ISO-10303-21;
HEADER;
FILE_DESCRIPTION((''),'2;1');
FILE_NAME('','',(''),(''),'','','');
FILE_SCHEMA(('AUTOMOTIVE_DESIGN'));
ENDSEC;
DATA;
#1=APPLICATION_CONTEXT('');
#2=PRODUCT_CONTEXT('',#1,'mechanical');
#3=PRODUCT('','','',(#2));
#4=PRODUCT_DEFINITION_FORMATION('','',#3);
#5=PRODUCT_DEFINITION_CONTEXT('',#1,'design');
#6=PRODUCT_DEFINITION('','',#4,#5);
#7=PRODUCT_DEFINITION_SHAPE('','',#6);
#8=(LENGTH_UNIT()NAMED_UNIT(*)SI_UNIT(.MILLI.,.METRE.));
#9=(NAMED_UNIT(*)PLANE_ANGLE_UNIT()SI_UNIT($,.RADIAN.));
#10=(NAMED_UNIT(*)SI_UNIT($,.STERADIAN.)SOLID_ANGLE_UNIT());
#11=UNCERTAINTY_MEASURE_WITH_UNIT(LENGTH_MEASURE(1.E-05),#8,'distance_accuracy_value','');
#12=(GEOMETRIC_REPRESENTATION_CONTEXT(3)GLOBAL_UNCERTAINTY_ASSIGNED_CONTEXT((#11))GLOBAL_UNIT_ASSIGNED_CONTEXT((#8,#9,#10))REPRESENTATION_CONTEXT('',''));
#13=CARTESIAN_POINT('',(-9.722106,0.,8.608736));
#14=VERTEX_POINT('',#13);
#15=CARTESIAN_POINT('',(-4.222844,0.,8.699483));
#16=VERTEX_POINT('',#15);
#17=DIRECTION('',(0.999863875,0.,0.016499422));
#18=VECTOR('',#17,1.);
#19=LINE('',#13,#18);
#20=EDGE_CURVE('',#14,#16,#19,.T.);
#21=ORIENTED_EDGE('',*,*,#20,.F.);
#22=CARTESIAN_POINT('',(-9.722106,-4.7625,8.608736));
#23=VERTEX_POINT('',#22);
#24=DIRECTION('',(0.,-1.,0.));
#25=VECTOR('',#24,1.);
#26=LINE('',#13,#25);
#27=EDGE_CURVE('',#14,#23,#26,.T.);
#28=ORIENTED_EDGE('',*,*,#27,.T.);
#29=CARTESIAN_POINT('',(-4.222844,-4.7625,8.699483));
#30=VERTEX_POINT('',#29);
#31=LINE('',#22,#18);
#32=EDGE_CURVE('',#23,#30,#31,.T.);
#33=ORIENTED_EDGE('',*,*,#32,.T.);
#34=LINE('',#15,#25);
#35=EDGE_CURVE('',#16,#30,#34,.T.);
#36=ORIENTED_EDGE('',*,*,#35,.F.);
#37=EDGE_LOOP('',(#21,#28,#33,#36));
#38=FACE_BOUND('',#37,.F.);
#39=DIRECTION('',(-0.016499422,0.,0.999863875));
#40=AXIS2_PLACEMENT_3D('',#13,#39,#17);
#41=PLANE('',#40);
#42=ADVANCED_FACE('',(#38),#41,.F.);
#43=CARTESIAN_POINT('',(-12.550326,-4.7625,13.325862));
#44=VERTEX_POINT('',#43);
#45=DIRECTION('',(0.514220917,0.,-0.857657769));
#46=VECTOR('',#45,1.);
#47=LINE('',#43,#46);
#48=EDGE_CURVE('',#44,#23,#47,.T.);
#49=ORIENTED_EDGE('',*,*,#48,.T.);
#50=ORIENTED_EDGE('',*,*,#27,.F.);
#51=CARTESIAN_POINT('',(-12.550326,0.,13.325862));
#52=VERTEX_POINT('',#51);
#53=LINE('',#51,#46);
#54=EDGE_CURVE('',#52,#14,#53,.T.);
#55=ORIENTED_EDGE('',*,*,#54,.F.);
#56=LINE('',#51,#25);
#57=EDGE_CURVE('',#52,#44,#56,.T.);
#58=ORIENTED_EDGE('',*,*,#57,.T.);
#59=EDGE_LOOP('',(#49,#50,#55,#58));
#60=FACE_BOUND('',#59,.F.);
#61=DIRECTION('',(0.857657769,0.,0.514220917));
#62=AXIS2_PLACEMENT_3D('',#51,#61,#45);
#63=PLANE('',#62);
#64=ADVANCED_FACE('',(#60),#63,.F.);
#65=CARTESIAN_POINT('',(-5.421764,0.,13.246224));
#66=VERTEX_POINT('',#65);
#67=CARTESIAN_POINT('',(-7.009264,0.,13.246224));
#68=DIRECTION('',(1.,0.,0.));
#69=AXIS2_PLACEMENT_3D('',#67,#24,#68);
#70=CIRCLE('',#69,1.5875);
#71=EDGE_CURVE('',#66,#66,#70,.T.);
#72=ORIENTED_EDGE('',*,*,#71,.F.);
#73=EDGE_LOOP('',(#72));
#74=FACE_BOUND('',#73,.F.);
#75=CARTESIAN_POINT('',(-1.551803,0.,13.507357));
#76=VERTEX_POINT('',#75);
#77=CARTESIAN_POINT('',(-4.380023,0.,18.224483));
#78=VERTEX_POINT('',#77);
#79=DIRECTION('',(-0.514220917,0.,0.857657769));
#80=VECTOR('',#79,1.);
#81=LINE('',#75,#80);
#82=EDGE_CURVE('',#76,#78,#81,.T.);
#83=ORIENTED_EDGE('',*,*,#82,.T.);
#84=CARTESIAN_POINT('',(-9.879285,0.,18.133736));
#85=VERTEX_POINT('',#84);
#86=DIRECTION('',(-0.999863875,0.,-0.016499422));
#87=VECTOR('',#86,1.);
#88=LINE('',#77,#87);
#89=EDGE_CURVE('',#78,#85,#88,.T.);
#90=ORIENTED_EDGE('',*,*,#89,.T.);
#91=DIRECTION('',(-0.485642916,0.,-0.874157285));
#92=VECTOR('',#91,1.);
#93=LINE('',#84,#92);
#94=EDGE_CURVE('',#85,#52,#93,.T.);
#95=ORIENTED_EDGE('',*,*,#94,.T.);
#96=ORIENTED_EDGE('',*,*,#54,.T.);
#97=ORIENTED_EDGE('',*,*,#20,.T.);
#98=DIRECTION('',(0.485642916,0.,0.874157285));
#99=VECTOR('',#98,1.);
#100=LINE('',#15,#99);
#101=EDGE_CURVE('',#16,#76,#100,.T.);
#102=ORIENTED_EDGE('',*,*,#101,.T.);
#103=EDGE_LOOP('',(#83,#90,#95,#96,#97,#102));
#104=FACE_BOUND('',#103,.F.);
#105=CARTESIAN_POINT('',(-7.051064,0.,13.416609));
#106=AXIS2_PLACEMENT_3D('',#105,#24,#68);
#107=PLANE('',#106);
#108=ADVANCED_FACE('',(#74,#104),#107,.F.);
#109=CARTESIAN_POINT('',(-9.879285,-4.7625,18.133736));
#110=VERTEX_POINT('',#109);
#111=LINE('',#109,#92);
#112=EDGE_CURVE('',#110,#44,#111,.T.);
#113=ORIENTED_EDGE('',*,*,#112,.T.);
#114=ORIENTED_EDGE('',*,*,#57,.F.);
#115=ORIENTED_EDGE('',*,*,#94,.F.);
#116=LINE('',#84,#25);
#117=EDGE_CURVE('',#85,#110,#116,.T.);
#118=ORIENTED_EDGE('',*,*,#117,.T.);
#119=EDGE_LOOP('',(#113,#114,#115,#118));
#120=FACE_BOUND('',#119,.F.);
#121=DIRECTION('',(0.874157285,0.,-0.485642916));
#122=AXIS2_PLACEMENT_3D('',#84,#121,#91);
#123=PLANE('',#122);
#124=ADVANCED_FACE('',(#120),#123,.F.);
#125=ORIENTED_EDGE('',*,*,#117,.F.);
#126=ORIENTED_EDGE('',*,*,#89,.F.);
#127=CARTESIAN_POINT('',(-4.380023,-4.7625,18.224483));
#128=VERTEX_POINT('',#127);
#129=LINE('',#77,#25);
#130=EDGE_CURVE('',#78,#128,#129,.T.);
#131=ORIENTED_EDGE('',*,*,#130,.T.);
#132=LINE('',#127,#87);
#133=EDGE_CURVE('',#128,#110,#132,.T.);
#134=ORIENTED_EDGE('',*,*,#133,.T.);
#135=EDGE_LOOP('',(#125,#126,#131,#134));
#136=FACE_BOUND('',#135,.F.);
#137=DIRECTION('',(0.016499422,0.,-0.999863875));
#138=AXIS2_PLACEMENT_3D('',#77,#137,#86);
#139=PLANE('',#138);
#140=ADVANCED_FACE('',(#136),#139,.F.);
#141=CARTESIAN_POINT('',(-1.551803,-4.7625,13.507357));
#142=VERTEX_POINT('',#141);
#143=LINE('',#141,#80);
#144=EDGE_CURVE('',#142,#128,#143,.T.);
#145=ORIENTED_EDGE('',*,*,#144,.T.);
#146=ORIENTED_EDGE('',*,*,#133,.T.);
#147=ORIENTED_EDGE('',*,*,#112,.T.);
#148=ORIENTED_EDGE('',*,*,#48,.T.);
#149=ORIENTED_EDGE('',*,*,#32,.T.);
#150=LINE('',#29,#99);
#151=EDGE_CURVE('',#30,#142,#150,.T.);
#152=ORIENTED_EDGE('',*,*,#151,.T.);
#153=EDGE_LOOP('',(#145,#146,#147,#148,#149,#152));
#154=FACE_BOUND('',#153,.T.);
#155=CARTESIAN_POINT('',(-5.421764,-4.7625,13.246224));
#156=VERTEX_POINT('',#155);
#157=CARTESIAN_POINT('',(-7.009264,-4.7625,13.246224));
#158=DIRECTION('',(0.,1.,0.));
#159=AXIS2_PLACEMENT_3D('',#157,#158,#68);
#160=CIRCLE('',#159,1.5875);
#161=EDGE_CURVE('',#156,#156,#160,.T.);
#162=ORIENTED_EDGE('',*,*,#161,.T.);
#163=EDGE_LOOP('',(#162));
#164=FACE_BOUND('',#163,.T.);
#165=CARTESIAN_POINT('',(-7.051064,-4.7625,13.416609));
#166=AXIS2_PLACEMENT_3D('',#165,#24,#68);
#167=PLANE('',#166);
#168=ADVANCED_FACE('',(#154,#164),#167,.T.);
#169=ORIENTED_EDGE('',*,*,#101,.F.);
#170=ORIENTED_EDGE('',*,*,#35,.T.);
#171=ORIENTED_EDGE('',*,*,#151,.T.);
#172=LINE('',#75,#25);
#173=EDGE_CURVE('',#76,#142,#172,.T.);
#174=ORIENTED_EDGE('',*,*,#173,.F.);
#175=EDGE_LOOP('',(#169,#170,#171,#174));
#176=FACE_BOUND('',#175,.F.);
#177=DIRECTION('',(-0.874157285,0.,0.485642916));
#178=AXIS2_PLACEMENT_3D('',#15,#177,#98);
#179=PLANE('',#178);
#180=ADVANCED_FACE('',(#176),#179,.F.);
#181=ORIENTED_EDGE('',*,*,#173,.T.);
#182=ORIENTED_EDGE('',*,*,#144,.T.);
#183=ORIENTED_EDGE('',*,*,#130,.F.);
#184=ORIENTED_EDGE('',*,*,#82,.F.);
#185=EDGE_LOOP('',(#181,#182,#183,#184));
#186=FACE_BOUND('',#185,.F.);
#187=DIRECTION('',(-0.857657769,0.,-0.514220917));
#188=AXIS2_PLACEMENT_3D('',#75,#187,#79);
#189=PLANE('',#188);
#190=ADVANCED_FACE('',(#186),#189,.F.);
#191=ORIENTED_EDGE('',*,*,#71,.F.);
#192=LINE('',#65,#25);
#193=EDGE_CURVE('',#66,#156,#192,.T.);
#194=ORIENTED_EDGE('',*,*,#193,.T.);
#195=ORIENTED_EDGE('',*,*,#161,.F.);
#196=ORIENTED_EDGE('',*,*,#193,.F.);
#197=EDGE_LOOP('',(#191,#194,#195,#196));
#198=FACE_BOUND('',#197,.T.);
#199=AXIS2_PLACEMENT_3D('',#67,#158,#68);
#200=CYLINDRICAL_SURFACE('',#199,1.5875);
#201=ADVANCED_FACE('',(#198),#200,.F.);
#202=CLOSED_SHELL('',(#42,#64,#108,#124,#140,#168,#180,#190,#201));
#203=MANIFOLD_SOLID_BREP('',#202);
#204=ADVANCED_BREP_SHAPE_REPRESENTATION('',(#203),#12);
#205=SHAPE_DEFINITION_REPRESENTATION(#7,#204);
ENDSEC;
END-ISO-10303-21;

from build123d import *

# Parameters (mm, degrees)
F2_DEPTH = 4.7625
F1_R     = 1.5875
F3_DEPTH = 4.7752


with BuildPart() as f2:
    # F0 (on Front) → F2 (new body)
    with BuildSketch(Plane.XZ):
        Polygon((-4.222844, 8.699483), (-1.551803, 13.507357), (-4.380023, 18.224483), (-9.879285, 18.133736), (-12.550326, 13.325862), (-9.722106, 8.608736), align=None)
    extrude(amount=F2_DEPTH)

    # F1 (on face) → F3 (cut)
    with BuildSketch(Plane.XZ):
        with Locations((-7.009264, 13.246224)):
            Circle(F1_R)
    extrude(amount=F3_DEPTH, mode=Mode.SUBTRACT)


solid = f2.part
